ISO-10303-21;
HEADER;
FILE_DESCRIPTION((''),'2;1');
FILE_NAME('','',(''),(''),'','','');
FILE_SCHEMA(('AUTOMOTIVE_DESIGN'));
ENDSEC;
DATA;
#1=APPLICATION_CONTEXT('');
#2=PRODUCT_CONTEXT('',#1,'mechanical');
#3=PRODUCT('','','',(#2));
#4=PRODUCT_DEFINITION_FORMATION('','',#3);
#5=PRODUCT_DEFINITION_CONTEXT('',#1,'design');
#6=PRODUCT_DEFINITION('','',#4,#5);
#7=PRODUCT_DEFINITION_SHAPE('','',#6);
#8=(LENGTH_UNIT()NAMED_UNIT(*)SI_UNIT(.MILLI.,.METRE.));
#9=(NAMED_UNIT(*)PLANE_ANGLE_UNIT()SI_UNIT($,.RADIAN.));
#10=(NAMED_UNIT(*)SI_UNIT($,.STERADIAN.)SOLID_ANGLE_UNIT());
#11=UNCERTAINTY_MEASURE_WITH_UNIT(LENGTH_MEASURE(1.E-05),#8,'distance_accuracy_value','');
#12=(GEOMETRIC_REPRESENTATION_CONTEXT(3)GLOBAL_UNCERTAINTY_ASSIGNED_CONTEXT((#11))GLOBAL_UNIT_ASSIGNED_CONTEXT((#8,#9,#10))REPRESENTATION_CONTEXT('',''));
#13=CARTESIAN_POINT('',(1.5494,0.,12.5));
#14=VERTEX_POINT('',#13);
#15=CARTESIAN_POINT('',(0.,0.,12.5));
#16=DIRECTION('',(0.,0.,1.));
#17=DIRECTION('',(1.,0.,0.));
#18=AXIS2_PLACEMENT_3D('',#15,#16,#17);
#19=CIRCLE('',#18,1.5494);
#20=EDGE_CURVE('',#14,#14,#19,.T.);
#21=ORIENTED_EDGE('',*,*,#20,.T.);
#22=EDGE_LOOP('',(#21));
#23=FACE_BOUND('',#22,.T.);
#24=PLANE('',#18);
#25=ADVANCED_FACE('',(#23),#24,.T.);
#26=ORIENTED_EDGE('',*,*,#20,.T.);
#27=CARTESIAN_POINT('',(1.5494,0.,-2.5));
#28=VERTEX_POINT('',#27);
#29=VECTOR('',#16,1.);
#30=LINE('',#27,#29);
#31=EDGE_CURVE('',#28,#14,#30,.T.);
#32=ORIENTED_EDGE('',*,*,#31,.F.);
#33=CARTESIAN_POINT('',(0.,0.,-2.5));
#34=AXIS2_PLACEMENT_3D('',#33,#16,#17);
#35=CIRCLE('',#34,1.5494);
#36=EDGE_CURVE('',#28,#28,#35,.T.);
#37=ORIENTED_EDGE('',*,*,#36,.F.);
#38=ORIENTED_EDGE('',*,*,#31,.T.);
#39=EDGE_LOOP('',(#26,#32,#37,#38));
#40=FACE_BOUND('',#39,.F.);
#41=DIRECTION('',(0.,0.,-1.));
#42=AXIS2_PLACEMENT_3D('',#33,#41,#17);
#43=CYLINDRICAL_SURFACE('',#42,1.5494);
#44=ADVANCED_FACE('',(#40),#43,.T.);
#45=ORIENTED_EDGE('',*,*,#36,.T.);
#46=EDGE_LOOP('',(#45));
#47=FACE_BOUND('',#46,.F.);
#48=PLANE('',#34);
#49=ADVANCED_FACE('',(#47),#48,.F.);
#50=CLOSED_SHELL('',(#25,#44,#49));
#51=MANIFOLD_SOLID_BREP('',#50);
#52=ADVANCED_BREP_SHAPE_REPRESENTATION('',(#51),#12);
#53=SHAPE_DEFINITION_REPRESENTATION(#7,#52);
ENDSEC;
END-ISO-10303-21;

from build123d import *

# Parameters (mm, degrees)
CYLINDER_R     = 1.5494
CYLINDER_DEPTH = 15


with BuildPart() as part:
    # Cylinder → Cylinder (new body)
    with BuildSketch(Plane.XY.offset(-2.5)):
        Circle(CYLINDER_R)
    extrude(amount=CYLINDER_DEPTH)


solid = part.part
